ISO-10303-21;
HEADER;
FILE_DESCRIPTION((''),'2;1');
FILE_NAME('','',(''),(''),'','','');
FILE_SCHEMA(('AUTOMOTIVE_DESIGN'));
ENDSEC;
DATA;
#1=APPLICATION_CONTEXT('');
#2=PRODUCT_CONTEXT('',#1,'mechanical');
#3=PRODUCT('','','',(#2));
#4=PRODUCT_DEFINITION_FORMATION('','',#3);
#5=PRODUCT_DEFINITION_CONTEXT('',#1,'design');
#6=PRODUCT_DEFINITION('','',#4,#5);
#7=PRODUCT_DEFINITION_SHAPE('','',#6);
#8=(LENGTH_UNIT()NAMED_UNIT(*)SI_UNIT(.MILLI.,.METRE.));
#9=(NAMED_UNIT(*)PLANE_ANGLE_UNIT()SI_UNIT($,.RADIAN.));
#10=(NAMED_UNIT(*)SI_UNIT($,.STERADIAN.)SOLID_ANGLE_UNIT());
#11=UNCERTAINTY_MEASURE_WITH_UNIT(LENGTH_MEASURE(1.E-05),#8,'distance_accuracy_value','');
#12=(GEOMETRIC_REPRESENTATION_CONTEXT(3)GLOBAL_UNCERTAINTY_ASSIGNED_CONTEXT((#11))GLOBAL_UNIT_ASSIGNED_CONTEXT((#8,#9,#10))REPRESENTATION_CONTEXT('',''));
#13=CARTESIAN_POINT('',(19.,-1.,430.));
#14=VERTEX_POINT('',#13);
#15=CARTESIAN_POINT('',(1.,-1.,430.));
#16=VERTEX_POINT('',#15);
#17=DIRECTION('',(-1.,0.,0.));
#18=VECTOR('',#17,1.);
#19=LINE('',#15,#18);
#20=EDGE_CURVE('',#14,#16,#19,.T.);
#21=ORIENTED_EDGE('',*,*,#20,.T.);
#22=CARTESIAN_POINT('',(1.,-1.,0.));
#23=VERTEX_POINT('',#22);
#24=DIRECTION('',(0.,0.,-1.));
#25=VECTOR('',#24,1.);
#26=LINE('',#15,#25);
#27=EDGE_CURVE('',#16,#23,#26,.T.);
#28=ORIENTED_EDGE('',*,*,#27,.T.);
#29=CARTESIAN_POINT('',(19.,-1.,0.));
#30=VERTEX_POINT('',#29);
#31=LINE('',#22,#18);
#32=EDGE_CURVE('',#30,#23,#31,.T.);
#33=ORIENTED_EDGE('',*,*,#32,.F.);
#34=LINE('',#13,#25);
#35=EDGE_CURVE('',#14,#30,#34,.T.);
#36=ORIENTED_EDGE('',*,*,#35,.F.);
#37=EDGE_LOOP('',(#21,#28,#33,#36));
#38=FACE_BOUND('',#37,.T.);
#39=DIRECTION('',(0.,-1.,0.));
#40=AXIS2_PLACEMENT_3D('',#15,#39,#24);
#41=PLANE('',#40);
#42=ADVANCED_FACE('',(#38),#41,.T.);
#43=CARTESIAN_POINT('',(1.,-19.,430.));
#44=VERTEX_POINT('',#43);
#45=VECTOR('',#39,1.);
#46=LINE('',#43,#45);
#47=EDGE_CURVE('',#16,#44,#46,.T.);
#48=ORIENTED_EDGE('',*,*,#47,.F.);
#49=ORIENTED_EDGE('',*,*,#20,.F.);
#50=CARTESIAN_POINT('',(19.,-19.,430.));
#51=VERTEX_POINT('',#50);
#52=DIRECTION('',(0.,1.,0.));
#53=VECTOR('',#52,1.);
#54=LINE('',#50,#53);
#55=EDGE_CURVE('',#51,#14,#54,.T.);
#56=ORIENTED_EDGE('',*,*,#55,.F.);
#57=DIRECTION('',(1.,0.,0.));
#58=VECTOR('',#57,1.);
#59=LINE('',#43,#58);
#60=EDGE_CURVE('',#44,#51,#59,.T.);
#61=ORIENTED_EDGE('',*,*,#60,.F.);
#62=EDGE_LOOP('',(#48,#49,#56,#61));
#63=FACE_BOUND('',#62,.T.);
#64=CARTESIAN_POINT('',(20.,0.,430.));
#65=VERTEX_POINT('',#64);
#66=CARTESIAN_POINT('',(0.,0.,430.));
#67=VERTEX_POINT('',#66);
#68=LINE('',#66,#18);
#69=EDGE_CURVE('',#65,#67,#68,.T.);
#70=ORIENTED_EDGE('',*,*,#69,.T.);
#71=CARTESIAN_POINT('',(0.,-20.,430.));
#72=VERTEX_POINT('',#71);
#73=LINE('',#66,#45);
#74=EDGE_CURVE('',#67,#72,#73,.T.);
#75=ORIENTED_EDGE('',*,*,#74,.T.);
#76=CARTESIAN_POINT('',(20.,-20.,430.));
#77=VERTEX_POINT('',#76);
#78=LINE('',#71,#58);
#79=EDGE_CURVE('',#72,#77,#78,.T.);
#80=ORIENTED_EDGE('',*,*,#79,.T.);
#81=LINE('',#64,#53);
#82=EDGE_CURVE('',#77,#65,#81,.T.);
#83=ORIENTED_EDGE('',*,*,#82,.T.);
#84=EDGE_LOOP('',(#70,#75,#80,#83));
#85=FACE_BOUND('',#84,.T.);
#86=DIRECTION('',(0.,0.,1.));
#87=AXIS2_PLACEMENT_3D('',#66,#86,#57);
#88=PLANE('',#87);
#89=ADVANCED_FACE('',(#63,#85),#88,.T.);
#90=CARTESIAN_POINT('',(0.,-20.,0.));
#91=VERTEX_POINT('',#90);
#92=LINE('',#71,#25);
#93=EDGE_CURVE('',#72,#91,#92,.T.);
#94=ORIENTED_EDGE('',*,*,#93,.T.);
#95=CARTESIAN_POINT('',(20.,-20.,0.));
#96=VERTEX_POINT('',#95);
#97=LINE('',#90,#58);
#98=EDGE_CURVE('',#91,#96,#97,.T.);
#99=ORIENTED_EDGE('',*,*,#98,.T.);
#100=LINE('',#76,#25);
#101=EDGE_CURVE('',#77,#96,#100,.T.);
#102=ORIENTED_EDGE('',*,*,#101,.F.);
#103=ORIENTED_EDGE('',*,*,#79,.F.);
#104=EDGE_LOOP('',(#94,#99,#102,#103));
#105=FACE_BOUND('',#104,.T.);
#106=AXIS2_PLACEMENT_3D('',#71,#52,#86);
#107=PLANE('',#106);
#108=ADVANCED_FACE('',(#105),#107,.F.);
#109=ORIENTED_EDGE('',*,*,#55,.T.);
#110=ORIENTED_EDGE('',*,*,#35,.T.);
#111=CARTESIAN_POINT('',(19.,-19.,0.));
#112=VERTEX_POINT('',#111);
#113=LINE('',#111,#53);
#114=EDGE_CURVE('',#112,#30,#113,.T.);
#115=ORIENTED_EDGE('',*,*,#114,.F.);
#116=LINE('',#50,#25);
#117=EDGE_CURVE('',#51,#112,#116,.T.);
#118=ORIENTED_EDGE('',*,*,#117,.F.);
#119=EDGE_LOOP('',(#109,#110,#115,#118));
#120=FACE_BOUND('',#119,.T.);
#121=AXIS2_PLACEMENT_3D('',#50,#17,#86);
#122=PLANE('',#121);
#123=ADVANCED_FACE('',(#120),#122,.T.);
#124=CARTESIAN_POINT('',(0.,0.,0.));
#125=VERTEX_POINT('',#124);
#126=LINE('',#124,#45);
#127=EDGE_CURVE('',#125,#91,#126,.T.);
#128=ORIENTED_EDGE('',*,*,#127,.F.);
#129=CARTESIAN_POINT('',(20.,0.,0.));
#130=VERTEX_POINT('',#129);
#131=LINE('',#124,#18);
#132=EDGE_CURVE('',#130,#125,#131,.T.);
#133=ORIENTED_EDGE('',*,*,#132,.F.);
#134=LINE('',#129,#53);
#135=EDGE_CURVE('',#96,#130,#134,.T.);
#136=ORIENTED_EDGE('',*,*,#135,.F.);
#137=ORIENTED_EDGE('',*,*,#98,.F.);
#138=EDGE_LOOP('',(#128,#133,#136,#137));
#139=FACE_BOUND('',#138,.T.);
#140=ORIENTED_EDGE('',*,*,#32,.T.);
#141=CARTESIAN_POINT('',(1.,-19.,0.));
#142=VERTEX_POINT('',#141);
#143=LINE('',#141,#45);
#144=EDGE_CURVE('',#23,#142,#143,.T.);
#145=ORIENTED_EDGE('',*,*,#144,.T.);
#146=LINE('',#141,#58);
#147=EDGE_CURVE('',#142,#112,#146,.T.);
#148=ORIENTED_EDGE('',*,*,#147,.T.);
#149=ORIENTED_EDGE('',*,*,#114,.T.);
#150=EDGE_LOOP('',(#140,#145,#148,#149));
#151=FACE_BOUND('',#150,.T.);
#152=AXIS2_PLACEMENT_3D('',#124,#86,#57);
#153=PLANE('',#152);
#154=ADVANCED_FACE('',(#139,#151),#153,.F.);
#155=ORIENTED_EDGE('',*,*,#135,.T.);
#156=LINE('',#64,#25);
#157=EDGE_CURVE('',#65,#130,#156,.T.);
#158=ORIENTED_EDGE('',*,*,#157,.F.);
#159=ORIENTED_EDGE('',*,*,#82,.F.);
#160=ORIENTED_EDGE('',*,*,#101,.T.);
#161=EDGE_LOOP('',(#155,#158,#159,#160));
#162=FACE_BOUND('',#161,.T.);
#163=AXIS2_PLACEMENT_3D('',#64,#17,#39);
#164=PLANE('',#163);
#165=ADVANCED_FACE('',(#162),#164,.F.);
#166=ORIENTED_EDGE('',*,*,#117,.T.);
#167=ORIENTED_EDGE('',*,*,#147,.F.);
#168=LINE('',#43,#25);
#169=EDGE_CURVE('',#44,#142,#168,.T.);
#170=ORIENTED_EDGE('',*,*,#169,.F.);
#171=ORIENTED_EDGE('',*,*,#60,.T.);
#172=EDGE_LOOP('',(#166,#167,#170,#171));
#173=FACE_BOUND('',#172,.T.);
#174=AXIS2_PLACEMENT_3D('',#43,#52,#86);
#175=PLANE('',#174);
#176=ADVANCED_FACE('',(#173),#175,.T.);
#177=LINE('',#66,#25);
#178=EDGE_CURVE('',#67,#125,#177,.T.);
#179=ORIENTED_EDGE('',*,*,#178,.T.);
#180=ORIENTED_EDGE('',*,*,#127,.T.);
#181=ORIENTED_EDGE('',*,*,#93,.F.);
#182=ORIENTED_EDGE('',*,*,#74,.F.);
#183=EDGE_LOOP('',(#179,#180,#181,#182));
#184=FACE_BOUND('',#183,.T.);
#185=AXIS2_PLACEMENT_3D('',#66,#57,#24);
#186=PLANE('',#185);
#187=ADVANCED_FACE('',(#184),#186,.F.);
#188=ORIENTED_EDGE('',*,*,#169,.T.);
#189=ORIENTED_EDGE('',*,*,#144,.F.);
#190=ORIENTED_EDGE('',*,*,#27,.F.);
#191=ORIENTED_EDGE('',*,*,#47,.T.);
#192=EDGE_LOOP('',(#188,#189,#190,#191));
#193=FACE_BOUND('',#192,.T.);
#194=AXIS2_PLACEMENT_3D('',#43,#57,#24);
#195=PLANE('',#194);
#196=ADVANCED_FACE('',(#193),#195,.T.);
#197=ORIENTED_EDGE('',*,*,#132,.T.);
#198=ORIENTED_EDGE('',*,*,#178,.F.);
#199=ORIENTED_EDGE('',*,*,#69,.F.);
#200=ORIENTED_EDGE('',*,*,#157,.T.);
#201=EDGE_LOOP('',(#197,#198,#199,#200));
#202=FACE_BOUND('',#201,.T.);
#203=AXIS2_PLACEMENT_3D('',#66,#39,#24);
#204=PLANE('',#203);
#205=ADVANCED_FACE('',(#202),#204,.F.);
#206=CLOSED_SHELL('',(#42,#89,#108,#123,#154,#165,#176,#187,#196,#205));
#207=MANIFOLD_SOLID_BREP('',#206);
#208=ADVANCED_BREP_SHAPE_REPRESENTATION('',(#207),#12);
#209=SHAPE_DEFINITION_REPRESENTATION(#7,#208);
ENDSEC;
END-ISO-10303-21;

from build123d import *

# Parameters (mm, degrees)
SKETCH1_W           = 20
SKETCH1_H           = 20
SKETCH1_W_2         = 18
SKETCH1_H_2         = 18
BOSS_EXTRUDE1_DEPTH = 430


with BuildPart() as part:
    # Sketch1 → Boss-Extrude1 (new body)
    with BuildSketch(Plane.XY):
        with Locations((10, -10)):
            Rectangle(SKETCH1_W, SKETCH1_H)
        with Locations((10, -10)):
            Rectangle(SKETCH1_W_2, SKETCH1_H_2, mode=Mode.SUBTRACT)
    extrude(amount=BOSS_EXTRUDE1_DEPTH)


solid = part.part
